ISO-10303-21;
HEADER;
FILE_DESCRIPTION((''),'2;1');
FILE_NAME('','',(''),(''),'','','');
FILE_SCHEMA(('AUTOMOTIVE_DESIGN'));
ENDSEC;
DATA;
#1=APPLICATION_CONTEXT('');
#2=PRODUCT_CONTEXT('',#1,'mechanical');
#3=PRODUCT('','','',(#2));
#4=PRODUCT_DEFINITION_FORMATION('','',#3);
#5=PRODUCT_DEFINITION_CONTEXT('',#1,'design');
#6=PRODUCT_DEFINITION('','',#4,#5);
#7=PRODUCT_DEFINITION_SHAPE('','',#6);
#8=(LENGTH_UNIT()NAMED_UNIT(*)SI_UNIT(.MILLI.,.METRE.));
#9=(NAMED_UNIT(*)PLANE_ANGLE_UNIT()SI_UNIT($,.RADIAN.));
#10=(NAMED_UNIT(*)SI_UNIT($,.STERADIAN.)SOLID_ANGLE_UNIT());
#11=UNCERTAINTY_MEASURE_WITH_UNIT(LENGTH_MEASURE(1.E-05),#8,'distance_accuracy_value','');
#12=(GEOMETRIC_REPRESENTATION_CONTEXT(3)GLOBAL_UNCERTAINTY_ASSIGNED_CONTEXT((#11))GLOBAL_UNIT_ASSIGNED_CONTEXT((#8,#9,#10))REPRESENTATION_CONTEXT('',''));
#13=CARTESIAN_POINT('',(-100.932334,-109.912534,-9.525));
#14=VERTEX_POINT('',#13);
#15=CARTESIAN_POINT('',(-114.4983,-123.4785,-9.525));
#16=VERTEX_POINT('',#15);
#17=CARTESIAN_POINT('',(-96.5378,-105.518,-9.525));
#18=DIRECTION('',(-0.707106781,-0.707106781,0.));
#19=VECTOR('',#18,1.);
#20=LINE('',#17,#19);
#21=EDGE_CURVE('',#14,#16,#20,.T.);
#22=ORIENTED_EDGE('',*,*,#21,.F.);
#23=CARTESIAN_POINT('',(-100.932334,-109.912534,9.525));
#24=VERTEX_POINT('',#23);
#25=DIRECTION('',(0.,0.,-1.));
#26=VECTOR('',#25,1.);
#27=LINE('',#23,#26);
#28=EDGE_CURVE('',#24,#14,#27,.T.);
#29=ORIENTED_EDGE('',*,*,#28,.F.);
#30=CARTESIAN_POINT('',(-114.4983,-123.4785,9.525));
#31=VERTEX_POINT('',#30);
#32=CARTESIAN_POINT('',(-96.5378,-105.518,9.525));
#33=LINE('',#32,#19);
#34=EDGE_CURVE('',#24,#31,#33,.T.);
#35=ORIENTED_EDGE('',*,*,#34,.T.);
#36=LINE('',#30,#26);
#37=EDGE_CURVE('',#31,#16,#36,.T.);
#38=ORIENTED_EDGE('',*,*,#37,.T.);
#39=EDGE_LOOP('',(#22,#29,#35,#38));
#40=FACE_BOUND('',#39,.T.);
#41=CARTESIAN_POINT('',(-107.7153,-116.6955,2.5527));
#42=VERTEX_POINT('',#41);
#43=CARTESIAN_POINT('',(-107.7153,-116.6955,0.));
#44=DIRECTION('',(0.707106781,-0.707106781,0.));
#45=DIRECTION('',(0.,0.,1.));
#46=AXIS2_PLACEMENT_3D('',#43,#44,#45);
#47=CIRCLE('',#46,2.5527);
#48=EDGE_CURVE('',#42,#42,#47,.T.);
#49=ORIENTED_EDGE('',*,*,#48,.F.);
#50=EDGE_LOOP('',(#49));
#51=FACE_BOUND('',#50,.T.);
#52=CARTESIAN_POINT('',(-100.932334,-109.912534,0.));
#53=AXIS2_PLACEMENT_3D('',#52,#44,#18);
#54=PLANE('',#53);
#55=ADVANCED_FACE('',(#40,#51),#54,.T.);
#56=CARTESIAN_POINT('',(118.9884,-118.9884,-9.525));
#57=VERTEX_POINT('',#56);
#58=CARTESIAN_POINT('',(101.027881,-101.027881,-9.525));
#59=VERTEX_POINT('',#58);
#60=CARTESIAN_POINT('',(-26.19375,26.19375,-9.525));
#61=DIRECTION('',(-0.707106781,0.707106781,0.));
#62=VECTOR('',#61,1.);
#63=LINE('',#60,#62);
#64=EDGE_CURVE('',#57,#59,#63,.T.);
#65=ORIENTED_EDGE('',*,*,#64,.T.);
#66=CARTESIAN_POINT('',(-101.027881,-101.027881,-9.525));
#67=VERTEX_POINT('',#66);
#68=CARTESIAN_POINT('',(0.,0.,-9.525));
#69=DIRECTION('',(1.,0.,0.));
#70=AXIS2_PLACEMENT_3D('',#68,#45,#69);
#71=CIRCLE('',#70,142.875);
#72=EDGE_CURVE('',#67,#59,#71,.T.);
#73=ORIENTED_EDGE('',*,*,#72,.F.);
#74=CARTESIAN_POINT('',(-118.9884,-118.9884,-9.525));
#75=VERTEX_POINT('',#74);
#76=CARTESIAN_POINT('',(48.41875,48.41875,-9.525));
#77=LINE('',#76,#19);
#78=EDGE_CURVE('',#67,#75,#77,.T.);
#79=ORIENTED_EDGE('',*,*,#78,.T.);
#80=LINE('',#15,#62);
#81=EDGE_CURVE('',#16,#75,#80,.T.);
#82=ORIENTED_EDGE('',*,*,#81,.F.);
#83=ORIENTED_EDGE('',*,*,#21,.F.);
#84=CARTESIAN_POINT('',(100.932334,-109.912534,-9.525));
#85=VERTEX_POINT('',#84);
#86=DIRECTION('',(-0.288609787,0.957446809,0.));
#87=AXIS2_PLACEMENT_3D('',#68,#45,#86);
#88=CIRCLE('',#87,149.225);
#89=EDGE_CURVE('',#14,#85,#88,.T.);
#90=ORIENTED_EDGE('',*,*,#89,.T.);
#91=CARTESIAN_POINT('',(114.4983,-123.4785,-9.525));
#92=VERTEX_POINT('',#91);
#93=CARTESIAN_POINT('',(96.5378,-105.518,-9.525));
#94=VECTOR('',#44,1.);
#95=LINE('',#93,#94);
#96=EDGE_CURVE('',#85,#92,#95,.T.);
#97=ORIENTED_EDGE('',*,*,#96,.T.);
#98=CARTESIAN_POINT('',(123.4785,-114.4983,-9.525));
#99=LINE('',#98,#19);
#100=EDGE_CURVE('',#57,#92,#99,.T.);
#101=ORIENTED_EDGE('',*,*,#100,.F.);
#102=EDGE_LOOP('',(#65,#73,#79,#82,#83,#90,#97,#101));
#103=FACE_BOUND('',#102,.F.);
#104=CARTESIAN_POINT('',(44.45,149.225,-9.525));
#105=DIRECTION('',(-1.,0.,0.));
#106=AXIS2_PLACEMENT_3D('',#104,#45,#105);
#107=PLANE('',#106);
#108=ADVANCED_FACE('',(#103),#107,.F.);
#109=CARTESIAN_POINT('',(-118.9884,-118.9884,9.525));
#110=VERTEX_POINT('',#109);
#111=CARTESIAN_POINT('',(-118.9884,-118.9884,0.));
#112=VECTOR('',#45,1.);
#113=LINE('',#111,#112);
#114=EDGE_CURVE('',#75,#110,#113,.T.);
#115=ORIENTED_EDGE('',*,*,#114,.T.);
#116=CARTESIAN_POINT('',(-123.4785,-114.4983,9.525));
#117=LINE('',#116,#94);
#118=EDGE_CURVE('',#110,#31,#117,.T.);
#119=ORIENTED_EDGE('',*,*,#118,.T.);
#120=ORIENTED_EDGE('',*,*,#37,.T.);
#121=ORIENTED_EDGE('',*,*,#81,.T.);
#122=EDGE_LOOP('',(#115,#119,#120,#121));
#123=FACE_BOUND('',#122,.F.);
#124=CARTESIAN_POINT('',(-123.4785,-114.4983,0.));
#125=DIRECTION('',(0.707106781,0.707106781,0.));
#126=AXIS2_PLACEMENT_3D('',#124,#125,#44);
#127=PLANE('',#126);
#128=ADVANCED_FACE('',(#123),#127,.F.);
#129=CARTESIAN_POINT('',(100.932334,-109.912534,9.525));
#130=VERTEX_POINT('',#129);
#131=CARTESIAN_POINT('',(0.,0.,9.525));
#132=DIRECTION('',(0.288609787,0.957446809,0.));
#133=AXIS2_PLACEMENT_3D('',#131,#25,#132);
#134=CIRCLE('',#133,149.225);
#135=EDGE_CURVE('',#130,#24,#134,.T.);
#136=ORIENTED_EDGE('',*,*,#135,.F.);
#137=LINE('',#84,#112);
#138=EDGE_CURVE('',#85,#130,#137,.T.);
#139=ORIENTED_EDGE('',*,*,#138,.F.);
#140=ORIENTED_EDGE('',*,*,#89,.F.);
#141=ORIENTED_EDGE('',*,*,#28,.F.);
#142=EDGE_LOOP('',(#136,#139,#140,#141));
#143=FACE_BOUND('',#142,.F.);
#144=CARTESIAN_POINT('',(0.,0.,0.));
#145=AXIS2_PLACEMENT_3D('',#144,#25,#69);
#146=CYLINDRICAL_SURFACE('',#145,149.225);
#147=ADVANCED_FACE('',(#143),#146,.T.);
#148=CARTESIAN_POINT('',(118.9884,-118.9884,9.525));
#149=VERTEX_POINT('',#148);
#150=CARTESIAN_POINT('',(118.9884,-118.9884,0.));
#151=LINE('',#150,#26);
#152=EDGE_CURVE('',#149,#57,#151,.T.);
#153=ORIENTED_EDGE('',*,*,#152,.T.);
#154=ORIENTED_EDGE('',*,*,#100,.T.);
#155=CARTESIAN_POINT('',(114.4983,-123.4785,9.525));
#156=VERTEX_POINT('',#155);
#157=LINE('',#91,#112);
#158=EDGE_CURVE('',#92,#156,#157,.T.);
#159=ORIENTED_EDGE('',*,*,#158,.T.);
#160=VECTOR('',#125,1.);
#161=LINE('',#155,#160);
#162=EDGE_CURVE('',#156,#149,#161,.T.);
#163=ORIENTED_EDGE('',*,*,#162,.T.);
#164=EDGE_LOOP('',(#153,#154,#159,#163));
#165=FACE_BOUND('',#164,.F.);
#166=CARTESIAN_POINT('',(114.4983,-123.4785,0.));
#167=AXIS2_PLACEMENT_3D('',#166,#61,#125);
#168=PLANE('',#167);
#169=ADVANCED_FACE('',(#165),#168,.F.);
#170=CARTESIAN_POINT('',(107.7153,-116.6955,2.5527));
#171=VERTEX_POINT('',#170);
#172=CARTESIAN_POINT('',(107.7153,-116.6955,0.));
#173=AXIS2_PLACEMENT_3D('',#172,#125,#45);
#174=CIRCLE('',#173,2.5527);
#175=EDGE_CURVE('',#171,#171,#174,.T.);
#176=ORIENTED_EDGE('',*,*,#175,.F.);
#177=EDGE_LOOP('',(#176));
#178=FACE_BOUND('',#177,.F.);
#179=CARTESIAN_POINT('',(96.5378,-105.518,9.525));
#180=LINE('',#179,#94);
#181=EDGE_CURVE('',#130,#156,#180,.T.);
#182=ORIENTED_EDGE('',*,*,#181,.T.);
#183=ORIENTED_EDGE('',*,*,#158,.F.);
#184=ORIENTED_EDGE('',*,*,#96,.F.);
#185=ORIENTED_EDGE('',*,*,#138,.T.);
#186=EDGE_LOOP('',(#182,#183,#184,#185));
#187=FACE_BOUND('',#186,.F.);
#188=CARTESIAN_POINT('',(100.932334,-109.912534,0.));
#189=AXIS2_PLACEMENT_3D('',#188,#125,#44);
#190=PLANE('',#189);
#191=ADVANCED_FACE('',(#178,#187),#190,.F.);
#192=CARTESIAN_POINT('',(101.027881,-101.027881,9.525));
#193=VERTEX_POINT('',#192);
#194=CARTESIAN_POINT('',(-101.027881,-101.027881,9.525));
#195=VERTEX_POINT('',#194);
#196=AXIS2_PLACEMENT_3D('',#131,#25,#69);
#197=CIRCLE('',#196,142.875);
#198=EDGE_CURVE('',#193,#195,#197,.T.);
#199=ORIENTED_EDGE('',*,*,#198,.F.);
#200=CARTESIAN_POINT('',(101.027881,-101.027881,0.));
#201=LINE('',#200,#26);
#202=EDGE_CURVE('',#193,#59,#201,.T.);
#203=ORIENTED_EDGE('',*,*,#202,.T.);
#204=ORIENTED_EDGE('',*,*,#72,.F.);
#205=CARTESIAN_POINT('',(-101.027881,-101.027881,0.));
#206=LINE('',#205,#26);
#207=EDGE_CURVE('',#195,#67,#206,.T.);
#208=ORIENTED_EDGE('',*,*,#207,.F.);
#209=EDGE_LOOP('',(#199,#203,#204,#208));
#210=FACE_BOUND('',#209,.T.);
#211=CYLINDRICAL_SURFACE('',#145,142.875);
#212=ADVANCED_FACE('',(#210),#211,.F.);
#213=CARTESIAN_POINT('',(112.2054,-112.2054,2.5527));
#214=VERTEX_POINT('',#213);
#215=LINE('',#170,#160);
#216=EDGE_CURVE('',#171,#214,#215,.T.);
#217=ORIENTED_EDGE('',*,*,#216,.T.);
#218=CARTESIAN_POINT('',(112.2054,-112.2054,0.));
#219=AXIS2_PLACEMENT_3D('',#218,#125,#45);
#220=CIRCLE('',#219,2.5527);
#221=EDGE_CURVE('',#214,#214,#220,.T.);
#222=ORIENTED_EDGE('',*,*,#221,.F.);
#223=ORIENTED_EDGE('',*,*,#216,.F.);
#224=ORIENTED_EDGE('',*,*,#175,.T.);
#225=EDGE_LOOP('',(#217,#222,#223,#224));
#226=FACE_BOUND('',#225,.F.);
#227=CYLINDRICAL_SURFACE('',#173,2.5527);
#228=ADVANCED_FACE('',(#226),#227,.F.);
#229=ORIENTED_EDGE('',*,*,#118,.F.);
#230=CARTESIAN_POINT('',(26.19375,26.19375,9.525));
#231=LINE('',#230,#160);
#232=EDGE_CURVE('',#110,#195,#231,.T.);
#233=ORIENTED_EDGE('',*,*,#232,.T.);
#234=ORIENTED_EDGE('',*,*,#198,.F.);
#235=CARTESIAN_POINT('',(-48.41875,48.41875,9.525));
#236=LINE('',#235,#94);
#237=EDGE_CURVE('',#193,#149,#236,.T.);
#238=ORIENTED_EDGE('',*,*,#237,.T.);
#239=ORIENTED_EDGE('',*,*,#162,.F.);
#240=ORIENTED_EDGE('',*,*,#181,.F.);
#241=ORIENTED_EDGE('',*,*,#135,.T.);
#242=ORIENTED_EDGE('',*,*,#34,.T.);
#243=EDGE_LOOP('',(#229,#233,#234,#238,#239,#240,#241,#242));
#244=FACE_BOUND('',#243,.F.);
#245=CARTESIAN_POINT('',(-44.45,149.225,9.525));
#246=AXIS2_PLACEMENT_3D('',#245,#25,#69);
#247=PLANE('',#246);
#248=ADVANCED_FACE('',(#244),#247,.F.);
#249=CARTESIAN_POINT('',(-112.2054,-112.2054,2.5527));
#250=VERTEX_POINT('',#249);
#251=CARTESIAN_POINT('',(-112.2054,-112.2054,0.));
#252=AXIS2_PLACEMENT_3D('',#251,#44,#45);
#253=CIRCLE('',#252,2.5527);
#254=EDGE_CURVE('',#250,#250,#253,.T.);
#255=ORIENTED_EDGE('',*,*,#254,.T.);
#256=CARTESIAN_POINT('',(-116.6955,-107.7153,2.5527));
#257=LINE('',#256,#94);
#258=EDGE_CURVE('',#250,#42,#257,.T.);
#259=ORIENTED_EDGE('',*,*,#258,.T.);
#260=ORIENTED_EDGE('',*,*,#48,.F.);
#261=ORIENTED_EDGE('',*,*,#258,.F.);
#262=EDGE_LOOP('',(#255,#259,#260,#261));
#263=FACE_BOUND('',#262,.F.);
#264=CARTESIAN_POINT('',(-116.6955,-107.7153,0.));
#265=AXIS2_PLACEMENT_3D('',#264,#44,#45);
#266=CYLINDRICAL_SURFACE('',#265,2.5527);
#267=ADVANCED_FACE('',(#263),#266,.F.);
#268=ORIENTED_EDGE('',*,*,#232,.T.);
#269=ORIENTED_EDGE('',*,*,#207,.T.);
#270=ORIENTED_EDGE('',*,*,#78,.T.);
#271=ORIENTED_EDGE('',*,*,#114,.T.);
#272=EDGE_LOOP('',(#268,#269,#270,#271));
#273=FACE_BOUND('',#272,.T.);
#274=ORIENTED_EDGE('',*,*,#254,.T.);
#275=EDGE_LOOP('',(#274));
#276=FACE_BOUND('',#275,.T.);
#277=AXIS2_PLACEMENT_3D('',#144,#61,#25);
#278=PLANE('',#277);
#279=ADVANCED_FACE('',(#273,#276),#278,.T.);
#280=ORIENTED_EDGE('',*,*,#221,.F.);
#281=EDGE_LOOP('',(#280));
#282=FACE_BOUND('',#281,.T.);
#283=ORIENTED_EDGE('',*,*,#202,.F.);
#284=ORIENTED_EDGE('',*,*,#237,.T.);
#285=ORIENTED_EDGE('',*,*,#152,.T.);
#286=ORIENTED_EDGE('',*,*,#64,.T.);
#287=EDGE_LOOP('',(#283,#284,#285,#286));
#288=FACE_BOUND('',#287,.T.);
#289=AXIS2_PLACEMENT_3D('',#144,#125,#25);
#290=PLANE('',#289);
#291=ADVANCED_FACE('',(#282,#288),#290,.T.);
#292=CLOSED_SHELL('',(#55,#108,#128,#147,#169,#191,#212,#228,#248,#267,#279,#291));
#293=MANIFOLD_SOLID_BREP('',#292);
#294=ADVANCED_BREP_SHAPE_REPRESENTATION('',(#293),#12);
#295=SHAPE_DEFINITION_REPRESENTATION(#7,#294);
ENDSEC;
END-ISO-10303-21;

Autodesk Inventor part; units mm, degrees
ref_plane "YZ Plane" through (0, 0, 0) normal (1, 0, 0) x (0, 1, 0)
ref_plane "XY Plane" through (0, 0, 0) normal (0, 0, 1) x (1, 0, 0)
sketch "Sketch1" plane through (0, 0, 0) normal (0, 0, 1) x (1, 0, 0)
  circle A0 centre (0, 0) radius 142.875
  circle A1 centre (0, 0) radius 149.225
  dimension "innerDiameter" = 285.75
  dimension "outerDiameter" = 298.45
extrude "Extrusion1" add sketch "Sketch1" along normal mid plane 19.05
sketch "Sketch2" plane through (0, 0, 0) normal (0, 0, 1) x (1, 0, 0)
  circle A0 centre (0, 0) radius 142.875 construction
  line L0 (0, 142.875) -> (0, 149.225) construction
  circle A1 centre (0, 0) radius 149.225 construction
  line L1 (0, 142.875) -> (44.45, 142.875)
  line L2 (44.45, 142.875) -> (44.45, 149.225)
  line L3 (44.45, 149.225) -> (19.05, 149.225)
  line L4 (0, 142.875) -> (-44.45, 142.875)
  line L5 (-44.45, 142.875) -> (-44.45, 149.225)
  line L6 (-44.45, 149.225) -> (19.05, 149.225)
  line L7 (371.6693, 35.081) -> (0, 0)
  dimension "halfBaseWidth" = 44.45
  dimension "baseThickness" = 6.35
  dimension "baseHeight" = 0
extrude "Extrusion2" add sketch "Sketch2" along normal mid plane 19.05
sketch "Sketch5" plane through (-44.45, 149.225, 9.525) normal (0, 1, 0) x (1, 0, 0)
  line L0 (0, 19.05) -> (0, 0) projected
  line L1 (88.9, 19.05) -> (88.9, 0) projected
  line L2 (0, 0) -> (88.9, 0)
  line L3 (88.9, 0) -> (88.9, 19.05)
  line L4 (88.9, 19.05) -> (0, 19.05)
  line L5 (0, 19.05) -> (0, 0)
  point P0 (44.45, 9.525)
  point P1 (0, 19.05)
extrude "Extrusion3" add sketch "Sketch5" along normal blind 38.1
sketch "Sketch7" plane through (0, 0, 9.525) normal (0, 0, 1) x (1, 0, 0)
  line L0 (-44.45, 142.875) -> (-44.45, 187.325) projected
  line L1 (-44.45, 187.325) -> (44.45, 187.325) projected
  line L2 (44.45, 142.875) -> (44.45, 187.325) projected
  line L3 (0, 187.325) -> (0, 149.1868) construction
  line L4 (-15.875, 169.545) -> (15.875, 169.545)
  line L5 (15.875, 169.545) -> (15.875, 182.245)
  line L6 (15.875, 182.245) -> (-15.875, 182.245)
  line L7 (-15.875, 182.245) -> (-15.875, 169.545)
  line L8 (-15.875, 169.545) -> (15.875, 182.245) construction
  line L9 (15.875, 169.545) -> (-15.875, 182.245) construction
  point P0 (0, 0)
  point P1 (-38.1, 144.2792)
  point P2 (38.1, 144.2792)
  point P3 (0, 175.895)
  dimension "screwHoleWidth" = 31.75
  dimension "screwHoleHeight" = 12.7
  dimension "screwHoleSupportThickness" = 5.08
extrude "Extrusion4" cut sketch "Sketch7" against normal through all
sketch "Sketch6" plane through (-44.45, 187.325, 9.525) normal (0, 1, 0) x (1, 0, 0)
  point P0 (44.45, 9.525)
  point P1 (44.45, 9.525)
hole "Hole2" at (0, 187.325, 0) direction (0, -1, 0) diameter 6.7564 depth 5.08 clearance for "Flat Head Machine Screw (82)" size "1/4" standard "Ansi Unified Screw Threads"
ref_plane "Work Plane1" through (0, 0, 0) normal (-0.7071, 0.7071, 0) x (0, 0, 1)
ref_plane "Work Plane2" through (0, 0, 0) normal (0.7071, 0.7071, 0) x (0, 0, 1)
sketch "Sketch11" plane through (0, 0, 0) normal (0, 0, 1) x (1, 0, 0)
  arc A0 (-43.0678, 142.875) -> (43.0678, 142.875) centre (0, 0) ccw projected
  circle A1 centre (0, 0) radius 142.875 projected
  line L0 (-214.9625, 214.9625) -> (217.3313, -217.3313) projected
  line L1 (-101.0279, 101.0279) -> (-96.5378, 105.518)
  line L2 (-101.0279, 101.0279) -> (-94.6779, 101.0279) construction
  line L3 (-96.5378, 105.518) -> (-114.4983, 123.4785)
  line L4 (-96.5378, 105.518) -> (-71.1378, 105.518) construction
  line L5 (-114.4983, 123.4785) -> (-118.9884, 118.9884)
  line L6 (-118.9884, 118.9884) -> (-101.0279, 101.0279)
  line L7 (-101.0279, 101.0279) -> (-105.518, 96.5378)
  line L8 (-105.518, 96.5378) -> (-123.4785, 114.4983)
  line L9 (-123.4785, 114.4983) -> (-118.9884, 118.9884)
  point P0 (38.1, 144.2792)
  point P1 (-38.1, 144.2792)
  point P2 (-109.9126, 100.9323)
  point P3 (-100.9323, 109.9126)
  dimension "d47" = 6.35
  dimension "d48" = 45
  dimension "d49" = 25.4
  dimension "d50" = 135
extrude "Extrusion7" add sketch "Sketch11" along normal mid plane 19.05 contours A0 L0 L5 L3 | A0 L8 L9 L0
sketch "Sketch12" plane through (-114.4983, 123.4785, -9.525) normal (0.7071, 0.7071, 0) x (-0.7071, 0.7071, 0)
  line L0 (0, 0) -> (0, 19.05) projected
  line L1 (-19.1852, 19.05) -> (0, 19.05) projected
  line L2 (-19.1852, 0) -> (-19.1852, 19.05) projected
  line L3 (0, 0) -> (-19.1852, 0) projected
  line L4 (-9.5926, 19.05) -> (-9.5926, 0) construction
  line L5 (0, 9.525) -> (-19.1852, 9.525) construction
  point P0 (-168.275, 9.525)
  point P1 (-9.5926, 9.525)
hole "Hole4" at (-107.7153, 116.6955, 0) direction (-0.7071, -0.7071, 0) diameter 5.1054 depth 12.7 clearance for "Flat Head Machine Screw (82)" size "#10" standard "Ansi Unified Screw Threads"
pattern_circular "Circular Pattern1" count 4 over 360 about axis through (0, 0, -10) along (0, 0, 1) of "Extrusion7", "Hole4"
sketch "Sketch13" plane through (0, 0, 9.525) normal (0, 0, 1) x (1, 0, 0)
  line L0 (-15.875, 182.245) -> (15.875, 182.245) projected
  line L1 (-44.45, 187.325) -> (44.45, 187.325) projected
  line L2 (0, 184.785) -> (8.89, 184.785)
  line L3 (8.89, 184.785) -> (8.89, 182.245)
  line L4 (8.89, 182.245) -> (0, 182.245)
  line L5 (0, 184.785) -> (0, 182.245)
  line L6 (15.875, 182.245) -> (-15.875, 182.245)
  line L7 (0, 184.785) -> (-8.89, 184.785)
  line L8 (-8.89, 184.785) -> (-8.89, 182.245)
  point P0 (0, 0)
  dimension "d63" = 8.89
  dimension "d64" = 2.54
extrude "Extrusion8" cut sketch "Sketch13" against normal through all
split "Split1" plane through (0, 0, 0) removes the side toward (0.7071, 0.7071, 0)
split "Split2" plane through (0, 0, 0) removes the side toward (-0.7071, 0.7071, 0)
equation "\"outerDiameter\" = innerDiameter + 2 * ringThicknessRadius"
equation "\"d7\" = ringWidth"
equation "\"d51\" = ringWidth"
equation "\"ringThicknessRadius\" = 6.35"
equation "\"ringWidth\" = 19.05"
properties part number "mountLowerQuarter" material "PET Plastic"
